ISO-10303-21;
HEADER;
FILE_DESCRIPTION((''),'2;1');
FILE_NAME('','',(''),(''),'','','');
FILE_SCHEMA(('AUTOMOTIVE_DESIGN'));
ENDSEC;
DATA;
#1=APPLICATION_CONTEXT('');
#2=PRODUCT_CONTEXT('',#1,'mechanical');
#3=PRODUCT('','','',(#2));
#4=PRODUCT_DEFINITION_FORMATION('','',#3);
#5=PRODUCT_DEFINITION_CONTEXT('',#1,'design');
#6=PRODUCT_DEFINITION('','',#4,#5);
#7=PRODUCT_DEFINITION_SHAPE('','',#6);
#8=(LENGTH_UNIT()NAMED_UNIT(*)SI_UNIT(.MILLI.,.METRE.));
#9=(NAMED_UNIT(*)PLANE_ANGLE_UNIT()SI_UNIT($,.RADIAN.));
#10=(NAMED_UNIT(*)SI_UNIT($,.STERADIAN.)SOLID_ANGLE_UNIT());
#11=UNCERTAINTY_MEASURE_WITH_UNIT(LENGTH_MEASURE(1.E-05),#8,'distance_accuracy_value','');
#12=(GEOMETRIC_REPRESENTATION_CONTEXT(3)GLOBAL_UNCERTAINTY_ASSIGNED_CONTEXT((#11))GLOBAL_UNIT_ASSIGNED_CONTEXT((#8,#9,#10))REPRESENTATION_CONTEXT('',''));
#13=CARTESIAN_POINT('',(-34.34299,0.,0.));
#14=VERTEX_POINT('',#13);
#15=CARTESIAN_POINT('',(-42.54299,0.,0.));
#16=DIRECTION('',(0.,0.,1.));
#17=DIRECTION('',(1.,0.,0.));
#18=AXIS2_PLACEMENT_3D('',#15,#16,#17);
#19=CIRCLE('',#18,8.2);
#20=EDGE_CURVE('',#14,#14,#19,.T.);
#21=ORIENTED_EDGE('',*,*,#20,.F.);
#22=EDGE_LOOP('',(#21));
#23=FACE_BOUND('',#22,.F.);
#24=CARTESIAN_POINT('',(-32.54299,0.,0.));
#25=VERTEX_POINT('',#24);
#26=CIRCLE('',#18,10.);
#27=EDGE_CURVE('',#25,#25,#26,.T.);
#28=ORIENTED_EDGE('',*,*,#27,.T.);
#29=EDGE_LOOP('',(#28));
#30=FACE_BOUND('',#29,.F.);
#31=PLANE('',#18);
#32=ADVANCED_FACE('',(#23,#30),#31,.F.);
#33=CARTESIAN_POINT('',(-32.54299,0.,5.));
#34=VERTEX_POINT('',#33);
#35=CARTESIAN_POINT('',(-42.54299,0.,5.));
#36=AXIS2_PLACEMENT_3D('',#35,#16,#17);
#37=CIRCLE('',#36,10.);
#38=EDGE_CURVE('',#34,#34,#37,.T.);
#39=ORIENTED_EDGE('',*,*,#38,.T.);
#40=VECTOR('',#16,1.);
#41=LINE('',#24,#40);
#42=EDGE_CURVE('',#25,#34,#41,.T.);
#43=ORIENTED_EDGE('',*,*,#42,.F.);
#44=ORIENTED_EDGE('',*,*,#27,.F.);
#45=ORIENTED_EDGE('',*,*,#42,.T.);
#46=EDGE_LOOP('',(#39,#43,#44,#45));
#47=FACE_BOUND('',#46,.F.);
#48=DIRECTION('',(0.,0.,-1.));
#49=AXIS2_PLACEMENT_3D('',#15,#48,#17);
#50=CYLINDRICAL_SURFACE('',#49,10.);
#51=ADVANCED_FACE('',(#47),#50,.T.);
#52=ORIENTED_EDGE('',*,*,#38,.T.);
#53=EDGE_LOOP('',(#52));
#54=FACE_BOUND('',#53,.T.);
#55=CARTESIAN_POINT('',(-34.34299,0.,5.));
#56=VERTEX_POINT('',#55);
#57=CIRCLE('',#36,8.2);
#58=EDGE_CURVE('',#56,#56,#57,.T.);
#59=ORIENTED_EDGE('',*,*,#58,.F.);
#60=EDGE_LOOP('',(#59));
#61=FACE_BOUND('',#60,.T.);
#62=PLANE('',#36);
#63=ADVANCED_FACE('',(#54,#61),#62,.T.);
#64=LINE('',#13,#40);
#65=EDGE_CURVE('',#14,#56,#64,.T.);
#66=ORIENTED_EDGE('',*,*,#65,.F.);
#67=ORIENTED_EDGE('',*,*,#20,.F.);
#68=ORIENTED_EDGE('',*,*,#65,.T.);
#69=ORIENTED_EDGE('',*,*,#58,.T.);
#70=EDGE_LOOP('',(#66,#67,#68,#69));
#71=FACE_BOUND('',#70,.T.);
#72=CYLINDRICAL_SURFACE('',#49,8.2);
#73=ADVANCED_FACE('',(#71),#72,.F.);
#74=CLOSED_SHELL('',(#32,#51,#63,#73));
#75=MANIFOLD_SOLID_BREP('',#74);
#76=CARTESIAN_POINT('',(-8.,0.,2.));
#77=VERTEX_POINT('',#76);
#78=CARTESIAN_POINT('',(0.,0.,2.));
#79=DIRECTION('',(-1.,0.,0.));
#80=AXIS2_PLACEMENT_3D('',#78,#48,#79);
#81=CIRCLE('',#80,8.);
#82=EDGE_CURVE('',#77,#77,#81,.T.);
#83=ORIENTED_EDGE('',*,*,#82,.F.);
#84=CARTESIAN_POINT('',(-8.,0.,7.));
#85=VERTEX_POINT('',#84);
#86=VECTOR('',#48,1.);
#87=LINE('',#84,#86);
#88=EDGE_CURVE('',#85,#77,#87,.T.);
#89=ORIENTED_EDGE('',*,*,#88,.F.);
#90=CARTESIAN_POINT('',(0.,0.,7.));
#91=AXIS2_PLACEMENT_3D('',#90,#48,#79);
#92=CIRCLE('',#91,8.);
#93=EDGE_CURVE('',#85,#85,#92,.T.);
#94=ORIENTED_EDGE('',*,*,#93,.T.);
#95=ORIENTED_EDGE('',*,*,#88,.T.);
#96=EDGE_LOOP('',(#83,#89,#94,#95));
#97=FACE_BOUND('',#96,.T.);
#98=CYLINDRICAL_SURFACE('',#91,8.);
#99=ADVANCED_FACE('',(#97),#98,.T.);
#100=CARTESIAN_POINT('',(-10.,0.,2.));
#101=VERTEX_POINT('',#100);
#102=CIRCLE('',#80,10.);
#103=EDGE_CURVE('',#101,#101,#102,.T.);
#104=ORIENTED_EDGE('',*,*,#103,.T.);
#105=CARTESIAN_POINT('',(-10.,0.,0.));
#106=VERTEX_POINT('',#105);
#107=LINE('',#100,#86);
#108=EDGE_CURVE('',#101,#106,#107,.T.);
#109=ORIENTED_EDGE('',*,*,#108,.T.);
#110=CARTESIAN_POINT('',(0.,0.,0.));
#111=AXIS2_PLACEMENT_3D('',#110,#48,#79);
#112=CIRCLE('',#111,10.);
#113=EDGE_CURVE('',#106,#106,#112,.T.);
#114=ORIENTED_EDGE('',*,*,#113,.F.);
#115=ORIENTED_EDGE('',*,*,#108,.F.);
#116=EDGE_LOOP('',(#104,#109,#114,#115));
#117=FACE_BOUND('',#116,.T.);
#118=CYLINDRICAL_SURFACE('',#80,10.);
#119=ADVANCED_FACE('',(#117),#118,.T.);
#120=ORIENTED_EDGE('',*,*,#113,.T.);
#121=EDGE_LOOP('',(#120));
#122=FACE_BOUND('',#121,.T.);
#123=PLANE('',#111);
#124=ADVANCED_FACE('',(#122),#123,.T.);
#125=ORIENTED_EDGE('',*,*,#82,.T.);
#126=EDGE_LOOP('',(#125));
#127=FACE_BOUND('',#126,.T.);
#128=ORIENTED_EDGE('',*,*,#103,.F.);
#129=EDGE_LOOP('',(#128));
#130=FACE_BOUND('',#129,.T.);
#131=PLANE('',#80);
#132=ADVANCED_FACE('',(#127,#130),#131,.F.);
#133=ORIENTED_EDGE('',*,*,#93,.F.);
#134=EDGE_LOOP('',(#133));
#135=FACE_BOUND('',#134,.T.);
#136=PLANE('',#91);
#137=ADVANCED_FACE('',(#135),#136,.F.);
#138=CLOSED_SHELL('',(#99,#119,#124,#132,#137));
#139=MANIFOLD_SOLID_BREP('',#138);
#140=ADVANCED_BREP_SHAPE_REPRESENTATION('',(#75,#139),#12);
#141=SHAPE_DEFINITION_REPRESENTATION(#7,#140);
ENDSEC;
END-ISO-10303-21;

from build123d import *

# Parameters (mm, degrees)
F2_R     = 10
F2_R_2   = 8.2
F3_DEPTH = 5


with BuildPart() as f1:
    # F0 (on Front) → F1 (revolve)
    with BuildSketch(Plane.XZ):
        Polygon((-10, 0), (0, 0), (0, 7), (-8, 7), (-8, 2), (-10, 2), align=None)
    revolve(axis=Axis((0, 0, 3.5), (0, 0, -1)))


with BuildPart() as f3:
    # F2 (on Top) → F3 (new body)
    with BuildSketch(Plane.XY):
        with Locations((-42.54299, 0)):
            Circle(F2_R)
        with Locations((-42.54299, 0)):
            Circle(F2_R_2, mode=Mode.SUBTRACT)
    extrude(amount=F3_DEPTH)


solid = Compound([f1.part, f3.part])
